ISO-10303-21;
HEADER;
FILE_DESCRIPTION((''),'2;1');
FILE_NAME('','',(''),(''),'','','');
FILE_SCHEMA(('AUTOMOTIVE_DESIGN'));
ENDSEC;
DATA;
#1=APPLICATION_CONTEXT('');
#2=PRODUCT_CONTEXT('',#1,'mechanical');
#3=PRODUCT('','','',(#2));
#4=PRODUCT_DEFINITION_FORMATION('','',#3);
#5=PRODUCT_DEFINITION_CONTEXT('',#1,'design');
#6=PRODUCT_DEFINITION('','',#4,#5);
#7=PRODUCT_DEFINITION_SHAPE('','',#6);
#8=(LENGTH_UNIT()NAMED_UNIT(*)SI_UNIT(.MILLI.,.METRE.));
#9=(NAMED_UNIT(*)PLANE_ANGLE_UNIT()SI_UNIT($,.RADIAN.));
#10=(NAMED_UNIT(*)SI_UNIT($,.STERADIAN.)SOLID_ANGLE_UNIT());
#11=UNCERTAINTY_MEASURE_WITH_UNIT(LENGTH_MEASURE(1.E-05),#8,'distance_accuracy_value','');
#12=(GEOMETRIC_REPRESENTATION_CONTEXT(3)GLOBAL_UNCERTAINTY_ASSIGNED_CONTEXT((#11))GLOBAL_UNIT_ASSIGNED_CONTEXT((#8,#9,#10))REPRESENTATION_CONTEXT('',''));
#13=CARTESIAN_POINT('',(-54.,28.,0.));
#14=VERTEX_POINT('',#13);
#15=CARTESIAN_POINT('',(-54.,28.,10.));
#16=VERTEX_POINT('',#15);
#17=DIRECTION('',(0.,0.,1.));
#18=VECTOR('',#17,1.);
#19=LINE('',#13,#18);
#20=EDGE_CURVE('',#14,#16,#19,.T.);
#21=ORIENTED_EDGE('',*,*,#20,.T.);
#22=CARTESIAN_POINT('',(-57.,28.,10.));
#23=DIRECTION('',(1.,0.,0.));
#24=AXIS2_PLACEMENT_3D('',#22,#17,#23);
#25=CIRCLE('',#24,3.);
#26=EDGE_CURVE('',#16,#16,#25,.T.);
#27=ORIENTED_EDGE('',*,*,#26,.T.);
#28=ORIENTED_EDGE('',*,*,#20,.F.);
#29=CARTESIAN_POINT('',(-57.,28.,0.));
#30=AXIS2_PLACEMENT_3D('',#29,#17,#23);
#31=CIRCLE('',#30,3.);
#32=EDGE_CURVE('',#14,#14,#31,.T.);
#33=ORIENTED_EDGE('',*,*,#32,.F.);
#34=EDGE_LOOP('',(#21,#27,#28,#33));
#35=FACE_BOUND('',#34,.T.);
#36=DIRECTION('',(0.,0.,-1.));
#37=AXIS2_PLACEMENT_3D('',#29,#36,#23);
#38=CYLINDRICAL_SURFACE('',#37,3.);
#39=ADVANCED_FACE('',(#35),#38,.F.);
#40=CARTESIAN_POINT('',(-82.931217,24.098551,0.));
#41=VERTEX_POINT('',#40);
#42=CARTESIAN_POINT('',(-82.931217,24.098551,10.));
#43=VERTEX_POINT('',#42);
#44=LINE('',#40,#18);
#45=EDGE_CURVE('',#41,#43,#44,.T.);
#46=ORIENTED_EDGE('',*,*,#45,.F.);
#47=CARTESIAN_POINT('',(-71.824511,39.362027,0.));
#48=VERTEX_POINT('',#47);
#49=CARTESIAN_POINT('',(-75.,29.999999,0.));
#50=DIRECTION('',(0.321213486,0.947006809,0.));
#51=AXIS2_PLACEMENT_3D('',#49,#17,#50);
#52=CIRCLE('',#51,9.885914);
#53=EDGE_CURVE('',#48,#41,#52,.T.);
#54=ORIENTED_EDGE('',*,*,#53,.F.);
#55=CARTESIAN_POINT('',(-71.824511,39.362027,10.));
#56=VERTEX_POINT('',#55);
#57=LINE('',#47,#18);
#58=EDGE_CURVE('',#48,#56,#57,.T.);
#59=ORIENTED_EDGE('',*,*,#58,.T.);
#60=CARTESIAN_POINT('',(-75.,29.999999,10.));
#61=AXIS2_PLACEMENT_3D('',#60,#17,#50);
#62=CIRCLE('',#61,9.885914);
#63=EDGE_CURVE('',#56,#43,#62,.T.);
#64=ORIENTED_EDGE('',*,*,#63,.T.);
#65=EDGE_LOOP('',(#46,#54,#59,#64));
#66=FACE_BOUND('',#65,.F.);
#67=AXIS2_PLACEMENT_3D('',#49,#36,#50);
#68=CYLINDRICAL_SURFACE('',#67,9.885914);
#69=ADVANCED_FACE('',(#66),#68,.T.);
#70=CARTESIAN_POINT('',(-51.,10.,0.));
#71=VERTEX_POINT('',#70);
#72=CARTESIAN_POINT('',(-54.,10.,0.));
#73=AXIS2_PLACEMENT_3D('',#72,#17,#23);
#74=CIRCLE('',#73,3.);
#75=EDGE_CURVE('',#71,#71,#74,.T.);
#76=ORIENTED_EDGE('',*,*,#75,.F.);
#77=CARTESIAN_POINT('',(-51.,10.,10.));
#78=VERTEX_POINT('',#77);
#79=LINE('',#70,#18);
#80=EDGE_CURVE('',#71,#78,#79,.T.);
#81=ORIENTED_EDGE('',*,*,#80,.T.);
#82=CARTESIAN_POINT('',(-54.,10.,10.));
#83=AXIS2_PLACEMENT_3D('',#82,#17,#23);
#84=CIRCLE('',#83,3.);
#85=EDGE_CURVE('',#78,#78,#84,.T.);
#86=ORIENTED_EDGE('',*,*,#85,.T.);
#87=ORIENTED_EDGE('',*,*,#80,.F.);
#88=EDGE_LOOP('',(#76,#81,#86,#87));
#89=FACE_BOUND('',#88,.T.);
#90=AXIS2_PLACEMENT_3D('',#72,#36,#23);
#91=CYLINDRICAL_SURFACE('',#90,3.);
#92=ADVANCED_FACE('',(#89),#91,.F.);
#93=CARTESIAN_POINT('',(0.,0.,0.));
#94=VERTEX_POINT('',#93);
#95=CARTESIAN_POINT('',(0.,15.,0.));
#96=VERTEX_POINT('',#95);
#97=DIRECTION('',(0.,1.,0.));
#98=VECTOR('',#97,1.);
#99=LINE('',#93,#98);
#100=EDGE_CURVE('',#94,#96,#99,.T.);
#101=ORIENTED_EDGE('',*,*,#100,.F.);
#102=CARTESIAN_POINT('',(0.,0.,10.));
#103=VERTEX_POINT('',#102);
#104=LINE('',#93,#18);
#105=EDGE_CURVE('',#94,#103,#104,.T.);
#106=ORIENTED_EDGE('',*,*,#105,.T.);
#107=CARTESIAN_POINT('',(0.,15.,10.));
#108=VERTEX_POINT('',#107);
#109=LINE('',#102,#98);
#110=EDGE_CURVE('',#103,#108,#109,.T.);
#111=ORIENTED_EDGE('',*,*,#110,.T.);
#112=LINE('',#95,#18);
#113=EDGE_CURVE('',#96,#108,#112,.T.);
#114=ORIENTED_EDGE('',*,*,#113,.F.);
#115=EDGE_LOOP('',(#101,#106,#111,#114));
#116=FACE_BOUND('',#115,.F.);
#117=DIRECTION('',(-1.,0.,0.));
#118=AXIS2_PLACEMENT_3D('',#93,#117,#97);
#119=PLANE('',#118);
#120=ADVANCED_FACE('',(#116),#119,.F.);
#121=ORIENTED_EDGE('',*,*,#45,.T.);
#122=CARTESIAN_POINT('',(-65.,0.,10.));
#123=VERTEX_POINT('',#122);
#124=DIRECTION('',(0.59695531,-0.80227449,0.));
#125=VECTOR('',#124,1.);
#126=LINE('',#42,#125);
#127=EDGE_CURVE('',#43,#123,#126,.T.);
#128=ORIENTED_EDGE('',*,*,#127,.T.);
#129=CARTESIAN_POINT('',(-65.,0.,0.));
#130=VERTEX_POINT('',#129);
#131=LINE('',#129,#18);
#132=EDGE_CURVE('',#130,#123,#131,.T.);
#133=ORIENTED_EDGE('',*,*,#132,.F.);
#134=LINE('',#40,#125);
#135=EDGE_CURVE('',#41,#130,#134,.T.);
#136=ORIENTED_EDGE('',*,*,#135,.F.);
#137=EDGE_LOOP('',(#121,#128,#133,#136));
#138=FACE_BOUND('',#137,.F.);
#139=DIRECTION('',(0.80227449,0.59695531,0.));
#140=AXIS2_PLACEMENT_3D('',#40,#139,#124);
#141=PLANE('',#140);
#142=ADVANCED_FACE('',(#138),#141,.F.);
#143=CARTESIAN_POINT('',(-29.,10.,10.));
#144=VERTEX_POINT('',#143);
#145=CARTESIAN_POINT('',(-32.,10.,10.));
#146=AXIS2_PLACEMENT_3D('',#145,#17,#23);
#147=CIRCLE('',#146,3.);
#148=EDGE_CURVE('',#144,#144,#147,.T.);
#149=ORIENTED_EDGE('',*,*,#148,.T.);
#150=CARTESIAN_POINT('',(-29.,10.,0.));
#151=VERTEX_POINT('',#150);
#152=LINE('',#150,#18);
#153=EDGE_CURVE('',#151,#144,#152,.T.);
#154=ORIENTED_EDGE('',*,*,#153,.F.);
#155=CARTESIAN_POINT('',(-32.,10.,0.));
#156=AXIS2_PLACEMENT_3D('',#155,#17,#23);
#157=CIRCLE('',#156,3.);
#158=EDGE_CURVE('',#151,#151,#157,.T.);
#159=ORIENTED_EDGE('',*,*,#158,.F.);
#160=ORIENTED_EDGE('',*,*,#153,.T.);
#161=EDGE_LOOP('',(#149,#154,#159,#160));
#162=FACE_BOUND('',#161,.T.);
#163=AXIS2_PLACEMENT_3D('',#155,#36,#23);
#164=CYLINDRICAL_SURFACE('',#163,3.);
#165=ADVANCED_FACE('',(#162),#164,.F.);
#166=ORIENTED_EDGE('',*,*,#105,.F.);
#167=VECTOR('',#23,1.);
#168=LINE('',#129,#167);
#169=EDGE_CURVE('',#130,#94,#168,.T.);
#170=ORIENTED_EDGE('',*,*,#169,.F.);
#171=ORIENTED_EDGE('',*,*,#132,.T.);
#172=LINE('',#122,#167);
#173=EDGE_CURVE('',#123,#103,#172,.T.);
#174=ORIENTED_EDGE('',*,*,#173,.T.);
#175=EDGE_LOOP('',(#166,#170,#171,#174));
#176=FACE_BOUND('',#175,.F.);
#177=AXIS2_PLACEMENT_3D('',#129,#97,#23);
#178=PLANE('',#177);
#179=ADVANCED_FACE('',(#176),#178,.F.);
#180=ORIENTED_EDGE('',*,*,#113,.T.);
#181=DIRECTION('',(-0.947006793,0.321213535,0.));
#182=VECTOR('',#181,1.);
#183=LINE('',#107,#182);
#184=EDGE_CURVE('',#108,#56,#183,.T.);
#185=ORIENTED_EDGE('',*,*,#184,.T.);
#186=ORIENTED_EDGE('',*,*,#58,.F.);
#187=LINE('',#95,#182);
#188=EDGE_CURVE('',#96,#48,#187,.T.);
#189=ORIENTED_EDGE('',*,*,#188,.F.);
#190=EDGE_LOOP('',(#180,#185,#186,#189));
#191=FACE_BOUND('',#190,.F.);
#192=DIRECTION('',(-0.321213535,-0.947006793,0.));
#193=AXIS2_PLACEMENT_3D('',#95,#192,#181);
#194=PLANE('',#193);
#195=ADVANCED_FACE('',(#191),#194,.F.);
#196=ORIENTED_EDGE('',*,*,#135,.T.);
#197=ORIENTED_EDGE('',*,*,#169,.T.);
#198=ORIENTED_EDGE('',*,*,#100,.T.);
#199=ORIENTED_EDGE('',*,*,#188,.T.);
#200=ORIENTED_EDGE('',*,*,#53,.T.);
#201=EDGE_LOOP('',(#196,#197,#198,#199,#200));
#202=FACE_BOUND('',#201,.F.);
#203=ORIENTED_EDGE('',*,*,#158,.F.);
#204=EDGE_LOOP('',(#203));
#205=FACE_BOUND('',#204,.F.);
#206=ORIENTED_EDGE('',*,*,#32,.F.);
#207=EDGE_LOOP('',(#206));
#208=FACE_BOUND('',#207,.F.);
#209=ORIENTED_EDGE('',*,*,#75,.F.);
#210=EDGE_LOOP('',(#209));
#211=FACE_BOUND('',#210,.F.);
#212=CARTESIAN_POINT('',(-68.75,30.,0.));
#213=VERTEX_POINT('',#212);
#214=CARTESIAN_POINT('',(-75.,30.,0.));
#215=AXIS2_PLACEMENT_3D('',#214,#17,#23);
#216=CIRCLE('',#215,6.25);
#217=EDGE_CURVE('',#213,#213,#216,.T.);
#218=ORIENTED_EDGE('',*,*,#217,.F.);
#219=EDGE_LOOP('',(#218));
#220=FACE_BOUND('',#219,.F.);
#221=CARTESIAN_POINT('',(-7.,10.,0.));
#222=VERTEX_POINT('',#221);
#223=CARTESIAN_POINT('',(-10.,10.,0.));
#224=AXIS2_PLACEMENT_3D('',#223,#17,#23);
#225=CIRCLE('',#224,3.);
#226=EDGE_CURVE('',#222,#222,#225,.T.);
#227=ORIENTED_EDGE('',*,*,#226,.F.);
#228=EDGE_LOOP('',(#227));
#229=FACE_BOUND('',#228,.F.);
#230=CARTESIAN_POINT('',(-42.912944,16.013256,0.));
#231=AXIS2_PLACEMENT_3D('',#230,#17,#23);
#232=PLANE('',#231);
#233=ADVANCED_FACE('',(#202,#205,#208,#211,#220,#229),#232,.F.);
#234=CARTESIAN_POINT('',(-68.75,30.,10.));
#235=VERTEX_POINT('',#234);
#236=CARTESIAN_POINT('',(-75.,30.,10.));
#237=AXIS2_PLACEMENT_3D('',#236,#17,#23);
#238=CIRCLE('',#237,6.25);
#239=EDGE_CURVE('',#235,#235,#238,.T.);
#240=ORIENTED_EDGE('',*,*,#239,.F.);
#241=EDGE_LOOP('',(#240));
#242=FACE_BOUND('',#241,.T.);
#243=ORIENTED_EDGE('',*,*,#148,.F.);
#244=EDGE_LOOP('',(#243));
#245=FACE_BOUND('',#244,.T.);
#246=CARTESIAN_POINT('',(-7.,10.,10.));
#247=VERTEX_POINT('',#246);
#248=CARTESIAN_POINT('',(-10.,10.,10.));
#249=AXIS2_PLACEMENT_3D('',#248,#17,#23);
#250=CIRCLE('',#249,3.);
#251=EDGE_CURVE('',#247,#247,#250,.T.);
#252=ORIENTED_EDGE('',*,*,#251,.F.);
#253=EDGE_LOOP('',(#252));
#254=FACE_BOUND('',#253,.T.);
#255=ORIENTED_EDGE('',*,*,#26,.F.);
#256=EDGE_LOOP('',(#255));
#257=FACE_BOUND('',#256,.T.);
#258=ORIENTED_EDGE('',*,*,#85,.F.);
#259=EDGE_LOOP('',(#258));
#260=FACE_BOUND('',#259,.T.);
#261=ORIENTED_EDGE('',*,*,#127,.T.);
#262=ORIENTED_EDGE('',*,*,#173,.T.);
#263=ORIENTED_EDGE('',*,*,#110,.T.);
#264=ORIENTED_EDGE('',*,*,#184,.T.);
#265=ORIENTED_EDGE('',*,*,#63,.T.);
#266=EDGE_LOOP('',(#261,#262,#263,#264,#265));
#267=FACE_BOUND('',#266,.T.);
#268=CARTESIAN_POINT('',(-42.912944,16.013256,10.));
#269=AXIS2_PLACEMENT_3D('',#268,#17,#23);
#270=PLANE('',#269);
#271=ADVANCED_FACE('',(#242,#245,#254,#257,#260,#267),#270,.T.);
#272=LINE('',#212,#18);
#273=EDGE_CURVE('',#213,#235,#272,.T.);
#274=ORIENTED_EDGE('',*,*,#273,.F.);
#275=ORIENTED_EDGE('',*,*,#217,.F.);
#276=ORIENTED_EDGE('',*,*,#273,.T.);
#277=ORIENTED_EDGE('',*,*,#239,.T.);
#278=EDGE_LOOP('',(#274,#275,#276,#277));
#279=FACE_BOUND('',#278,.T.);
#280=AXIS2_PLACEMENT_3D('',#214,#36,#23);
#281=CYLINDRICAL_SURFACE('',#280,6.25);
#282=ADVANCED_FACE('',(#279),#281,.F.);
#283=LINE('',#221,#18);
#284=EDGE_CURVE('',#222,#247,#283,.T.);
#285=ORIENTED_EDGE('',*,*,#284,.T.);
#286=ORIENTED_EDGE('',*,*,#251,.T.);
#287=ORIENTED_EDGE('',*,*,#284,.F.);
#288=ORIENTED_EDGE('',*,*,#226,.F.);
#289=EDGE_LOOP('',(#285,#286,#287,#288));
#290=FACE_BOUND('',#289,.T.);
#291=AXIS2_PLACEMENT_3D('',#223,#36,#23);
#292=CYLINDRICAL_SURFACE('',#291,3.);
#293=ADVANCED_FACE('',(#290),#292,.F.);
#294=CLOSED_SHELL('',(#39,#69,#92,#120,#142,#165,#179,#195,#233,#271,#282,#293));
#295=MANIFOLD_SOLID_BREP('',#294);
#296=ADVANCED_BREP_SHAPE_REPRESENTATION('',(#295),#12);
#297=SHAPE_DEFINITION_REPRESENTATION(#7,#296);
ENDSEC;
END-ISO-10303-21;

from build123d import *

# Parameters (mm, degrees)
F0_R     = 3
F0_R_2   = 6.25
F1_DEPTH = 10


with BuildPart() as f1:
    # F0 (on Top) → F1 (new body)
    with BuildSketch(Plane.XY):
        with BuildLine():
            Line((-65, 0), (0, 0))
            Line((0, 0), (0, 15))
            Line((0, 15), (-71.824511, 39.362027))
            ThreePointArc((-71.824511, 39.362027), (-82.993601, 35.816668), (-82.931217, 24.098551))
            Line((-82.931217, 24.098551), (-65, 0))
        make_face()
        with Locations((-54, 10)):
            Circle(F0_R, mode=Mode.SUBTRACT)
        with Locations((-32, 10)):
            Circle(F0_R, mode=Mode.SUBTRACT)
        with Locations((-10, 10)):
            Circle(F0_R, mode=Mode.SUBTRACT)
        with Locations((-57, 28)):
            Circle(F0_R, mode=Mode.SUBTRACT)
        with Locations((-75, 30)):
            Circle(F0_R_2, mode=Mode.SUBTRACT)
    extrude(amount=F1_DEPTH)


solid = f1.part
